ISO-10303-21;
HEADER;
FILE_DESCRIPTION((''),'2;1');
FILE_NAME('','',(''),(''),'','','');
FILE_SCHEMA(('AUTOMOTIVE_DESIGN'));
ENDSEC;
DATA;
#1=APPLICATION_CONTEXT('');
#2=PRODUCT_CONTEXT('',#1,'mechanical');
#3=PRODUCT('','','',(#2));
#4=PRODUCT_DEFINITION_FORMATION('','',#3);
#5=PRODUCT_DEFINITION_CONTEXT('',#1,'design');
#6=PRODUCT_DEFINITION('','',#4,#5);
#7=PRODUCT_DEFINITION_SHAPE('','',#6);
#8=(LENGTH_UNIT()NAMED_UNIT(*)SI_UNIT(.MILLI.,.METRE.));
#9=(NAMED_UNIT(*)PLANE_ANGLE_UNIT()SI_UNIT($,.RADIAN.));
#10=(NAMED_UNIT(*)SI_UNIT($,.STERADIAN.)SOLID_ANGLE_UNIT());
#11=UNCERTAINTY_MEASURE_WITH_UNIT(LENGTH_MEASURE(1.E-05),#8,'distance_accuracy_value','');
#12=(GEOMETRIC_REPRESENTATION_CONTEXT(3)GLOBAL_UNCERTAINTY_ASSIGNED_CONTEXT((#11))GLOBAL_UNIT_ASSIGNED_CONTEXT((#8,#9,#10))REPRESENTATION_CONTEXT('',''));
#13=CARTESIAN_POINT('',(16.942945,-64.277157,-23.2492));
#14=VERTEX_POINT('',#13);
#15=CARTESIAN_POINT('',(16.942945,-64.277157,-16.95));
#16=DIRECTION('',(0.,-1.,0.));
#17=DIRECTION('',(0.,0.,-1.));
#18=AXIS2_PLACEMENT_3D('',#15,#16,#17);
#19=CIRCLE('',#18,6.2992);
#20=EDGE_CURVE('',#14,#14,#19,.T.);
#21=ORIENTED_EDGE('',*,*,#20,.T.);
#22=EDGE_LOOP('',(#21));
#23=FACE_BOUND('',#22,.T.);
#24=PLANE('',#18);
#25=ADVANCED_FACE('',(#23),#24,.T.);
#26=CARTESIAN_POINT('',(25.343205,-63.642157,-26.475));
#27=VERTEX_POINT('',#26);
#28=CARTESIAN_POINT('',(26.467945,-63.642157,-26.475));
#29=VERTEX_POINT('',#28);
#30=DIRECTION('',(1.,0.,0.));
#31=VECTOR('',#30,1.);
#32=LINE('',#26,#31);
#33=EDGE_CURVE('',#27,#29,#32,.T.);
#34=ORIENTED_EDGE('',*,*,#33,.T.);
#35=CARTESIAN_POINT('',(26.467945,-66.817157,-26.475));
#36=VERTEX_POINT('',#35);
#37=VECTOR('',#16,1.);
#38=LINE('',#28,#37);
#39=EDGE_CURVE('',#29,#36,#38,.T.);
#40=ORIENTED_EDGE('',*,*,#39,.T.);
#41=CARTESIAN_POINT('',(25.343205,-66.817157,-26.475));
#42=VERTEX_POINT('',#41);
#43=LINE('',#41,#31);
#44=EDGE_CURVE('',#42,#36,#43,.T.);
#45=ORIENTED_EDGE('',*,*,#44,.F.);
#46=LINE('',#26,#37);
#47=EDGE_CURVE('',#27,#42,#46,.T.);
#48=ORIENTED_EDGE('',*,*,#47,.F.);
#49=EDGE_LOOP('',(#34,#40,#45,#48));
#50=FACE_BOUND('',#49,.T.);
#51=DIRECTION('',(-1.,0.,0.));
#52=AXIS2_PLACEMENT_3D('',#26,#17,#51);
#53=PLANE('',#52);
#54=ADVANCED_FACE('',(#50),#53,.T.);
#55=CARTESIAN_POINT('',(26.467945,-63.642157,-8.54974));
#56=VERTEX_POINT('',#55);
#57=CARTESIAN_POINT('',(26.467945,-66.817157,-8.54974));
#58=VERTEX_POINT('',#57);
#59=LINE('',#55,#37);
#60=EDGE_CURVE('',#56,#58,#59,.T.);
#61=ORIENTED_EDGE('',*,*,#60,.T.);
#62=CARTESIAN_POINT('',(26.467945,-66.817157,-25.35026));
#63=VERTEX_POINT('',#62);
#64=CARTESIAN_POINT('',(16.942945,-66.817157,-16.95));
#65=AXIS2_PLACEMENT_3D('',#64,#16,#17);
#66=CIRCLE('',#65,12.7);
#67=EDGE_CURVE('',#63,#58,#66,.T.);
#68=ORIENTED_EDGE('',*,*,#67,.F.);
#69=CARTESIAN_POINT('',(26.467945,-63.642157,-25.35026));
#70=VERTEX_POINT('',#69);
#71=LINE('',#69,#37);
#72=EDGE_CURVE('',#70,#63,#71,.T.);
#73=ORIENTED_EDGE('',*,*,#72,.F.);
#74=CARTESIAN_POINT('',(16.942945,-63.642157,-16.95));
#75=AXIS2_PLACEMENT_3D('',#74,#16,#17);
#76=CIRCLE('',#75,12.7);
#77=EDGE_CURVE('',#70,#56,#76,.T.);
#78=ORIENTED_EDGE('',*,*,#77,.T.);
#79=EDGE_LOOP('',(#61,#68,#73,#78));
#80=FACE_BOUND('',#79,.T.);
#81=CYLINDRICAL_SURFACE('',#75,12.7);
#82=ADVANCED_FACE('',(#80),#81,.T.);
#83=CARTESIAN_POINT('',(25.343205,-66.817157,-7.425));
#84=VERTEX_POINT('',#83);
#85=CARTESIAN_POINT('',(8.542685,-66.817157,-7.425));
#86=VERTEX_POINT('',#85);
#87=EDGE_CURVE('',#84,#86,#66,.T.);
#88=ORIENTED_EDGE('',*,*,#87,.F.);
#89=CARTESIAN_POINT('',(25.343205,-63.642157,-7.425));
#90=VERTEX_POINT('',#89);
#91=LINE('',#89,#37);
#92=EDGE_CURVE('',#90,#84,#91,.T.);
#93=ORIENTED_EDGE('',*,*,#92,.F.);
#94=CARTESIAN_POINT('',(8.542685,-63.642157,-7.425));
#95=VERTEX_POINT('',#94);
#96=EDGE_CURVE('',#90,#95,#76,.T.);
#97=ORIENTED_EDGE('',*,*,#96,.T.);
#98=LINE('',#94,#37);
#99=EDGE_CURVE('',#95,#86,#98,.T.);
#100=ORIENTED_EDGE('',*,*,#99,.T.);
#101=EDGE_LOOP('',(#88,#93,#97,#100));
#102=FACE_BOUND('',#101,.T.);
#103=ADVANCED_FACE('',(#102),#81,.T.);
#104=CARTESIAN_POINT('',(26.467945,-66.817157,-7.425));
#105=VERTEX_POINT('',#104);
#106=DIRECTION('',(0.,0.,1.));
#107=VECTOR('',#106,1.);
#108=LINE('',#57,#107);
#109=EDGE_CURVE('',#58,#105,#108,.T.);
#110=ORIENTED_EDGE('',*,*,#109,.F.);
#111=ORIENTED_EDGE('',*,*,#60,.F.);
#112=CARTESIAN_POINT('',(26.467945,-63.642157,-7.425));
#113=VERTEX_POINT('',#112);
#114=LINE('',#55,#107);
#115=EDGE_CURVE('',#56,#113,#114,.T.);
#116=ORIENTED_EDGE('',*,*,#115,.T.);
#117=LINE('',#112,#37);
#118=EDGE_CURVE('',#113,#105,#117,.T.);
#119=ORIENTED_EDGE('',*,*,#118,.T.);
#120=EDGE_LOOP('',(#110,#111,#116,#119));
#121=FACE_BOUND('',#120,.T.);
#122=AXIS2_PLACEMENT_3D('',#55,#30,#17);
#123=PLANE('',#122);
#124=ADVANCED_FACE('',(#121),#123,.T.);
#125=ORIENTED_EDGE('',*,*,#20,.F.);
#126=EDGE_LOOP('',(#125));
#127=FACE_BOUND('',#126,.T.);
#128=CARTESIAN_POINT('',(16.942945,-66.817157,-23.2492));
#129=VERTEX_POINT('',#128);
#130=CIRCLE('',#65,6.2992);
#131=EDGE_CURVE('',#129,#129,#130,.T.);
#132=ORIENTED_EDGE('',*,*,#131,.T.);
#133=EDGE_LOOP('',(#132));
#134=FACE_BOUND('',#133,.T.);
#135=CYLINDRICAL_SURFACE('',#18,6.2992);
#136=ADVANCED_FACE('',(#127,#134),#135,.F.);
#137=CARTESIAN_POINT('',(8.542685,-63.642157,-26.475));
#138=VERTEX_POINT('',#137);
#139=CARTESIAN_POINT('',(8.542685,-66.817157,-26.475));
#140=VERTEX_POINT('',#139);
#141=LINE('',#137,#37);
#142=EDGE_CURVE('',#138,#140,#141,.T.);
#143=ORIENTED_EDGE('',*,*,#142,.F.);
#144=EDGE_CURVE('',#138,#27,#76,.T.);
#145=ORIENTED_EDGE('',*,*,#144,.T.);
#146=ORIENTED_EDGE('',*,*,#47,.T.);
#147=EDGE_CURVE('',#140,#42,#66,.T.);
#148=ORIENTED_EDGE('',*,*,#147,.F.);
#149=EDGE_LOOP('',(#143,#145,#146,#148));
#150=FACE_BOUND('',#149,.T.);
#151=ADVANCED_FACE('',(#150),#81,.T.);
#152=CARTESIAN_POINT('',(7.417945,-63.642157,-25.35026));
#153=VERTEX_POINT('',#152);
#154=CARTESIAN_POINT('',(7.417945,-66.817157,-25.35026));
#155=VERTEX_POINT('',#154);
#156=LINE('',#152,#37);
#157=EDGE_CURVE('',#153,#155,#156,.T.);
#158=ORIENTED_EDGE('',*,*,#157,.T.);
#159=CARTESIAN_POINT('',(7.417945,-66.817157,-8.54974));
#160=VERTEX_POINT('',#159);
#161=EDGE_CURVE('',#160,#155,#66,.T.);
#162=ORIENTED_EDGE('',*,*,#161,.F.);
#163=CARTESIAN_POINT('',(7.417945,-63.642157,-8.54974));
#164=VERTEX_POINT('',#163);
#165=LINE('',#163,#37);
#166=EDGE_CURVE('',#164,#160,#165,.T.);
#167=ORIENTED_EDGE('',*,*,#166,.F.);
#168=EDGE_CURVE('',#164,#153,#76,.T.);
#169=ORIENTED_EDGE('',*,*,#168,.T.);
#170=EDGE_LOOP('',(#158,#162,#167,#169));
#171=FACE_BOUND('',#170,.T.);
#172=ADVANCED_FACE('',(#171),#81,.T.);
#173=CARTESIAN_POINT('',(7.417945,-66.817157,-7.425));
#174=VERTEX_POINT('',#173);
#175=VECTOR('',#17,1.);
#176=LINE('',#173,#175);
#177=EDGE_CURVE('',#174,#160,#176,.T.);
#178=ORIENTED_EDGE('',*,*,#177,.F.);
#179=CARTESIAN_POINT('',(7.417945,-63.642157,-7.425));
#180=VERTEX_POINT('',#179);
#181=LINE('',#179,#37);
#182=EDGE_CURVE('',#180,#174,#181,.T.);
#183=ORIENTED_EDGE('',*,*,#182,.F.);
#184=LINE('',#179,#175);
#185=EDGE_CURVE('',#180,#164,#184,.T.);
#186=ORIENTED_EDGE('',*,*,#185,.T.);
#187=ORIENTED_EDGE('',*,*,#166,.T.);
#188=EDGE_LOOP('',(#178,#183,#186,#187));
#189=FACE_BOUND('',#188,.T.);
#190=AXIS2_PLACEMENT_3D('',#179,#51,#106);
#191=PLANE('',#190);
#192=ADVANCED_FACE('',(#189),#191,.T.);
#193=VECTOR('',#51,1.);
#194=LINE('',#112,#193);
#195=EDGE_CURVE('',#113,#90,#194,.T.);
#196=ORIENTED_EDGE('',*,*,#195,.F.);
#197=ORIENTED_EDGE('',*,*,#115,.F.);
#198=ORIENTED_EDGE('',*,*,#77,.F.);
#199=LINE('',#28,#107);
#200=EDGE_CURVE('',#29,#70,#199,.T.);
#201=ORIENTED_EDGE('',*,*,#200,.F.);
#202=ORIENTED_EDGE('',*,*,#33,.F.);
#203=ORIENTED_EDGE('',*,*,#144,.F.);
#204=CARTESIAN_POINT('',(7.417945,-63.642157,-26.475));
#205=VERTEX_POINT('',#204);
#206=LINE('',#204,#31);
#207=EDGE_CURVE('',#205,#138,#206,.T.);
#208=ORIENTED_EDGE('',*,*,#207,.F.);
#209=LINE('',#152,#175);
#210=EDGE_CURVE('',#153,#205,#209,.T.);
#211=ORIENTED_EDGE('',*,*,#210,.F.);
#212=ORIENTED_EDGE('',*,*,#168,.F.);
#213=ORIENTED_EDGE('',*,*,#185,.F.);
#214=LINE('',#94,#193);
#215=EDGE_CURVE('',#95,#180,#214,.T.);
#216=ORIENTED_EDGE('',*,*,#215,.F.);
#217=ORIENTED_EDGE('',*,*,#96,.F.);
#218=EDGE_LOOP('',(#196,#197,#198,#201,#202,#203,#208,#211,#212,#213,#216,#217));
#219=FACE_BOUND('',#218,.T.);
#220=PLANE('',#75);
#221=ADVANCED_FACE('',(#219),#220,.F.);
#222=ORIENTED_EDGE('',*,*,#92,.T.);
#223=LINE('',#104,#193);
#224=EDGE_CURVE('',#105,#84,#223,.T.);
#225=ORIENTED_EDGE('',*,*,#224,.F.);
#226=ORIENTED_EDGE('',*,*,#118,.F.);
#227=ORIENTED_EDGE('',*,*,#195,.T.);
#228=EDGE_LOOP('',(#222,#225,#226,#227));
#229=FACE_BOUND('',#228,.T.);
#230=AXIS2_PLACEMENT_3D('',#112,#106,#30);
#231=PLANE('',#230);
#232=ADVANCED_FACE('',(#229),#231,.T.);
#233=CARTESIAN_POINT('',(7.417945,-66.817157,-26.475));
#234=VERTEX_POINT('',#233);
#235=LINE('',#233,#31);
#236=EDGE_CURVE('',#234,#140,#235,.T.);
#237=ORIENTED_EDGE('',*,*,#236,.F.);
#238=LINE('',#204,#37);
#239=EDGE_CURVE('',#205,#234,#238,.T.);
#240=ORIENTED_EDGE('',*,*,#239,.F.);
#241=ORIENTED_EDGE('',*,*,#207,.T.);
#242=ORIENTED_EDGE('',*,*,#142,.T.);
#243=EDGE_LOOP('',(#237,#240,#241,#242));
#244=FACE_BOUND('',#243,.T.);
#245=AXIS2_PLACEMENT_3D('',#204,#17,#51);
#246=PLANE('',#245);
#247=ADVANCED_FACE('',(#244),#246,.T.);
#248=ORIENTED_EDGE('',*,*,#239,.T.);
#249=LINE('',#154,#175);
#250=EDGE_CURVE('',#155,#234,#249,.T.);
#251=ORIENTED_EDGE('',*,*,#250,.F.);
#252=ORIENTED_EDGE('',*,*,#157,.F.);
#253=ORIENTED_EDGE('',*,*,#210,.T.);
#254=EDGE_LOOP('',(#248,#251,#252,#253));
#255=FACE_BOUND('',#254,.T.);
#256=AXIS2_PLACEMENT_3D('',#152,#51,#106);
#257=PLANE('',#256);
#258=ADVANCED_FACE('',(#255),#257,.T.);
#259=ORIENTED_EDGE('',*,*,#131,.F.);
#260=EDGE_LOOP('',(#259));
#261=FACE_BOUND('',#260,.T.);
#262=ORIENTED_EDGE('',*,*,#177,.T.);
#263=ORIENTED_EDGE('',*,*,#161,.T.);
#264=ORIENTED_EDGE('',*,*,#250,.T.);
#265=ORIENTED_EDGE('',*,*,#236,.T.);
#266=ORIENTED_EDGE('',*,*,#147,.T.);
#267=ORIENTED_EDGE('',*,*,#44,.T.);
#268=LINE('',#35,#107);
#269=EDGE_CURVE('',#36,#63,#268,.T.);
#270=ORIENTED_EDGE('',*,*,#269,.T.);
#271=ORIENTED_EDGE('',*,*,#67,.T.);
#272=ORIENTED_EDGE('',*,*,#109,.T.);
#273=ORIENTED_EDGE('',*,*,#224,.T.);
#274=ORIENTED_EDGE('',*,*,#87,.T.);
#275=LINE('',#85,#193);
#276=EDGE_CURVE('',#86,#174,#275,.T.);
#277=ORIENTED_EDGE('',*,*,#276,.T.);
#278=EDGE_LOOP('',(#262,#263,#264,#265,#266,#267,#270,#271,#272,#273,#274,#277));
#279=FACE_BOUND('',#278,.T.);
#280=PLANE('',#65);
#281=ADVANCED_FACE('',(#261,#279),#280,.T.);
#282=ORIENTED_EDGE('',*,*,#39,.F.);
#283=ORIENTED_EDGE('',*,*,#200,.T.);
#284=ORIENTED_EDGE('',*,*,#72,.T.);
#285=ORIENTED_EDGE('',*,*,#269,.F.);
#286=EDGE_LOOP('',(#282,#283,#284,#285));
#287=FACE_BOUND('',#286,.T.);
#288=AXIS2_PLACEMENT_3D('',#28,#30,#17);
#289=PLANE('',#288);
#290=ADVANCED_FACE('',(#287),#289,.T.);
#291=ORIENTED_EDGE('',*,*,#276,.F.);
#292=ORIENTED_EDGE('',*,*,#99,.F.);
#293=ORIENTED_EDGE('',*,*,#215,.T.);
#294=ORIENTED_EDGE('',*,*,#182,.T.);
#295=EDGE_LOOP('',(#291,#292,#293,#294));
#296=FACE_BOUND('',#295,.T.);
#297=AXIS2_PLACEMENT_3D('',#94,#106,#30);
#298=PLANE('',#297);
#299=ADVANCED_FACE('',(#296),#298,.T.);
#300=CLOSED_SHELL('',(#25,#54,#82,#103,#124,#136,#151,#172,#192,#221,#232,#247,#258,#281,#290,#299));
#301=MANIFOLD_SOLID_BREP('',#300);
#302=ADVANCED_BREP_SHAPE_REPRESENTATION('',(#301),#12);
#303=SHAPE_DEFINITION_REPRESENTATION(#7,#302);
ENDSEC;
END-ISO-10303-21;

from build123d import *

# Parameters (mm, degrees)
BOSS_EXTRUDE1_DEPTH = 3.175
SKETCH2_R           = 6.2992
CUT_EXTRUDE1_DEPTH  = 2.54


with BuildPart() as part:
    # Sketch1 → Boss-Extrude1 (new body)
    with BuildSketch(Plane.XZ.offset(66.817157288)):
        with BuildLine():
            Line((26.467944946, -26.475), (26.467944946, -25.350260413))
            ThreePointArc((26.467944946, -25.350260413), (29.642944946, -16.95), (26.467944946, -8.549739587))
            Line((26.467944946, -8.549739587), (26.467944946, -7.425))
            Line((26.467944946, -7.425), (25.343205359, -7.425))
            ThreePointArc((25.343205359, -7.425), (16.942944946, -4.25), (8.542684533, -7.425))
            Line((8.542684533, -7.425), (7.417944946, -7.425))
            Line((7.417944946, -7.425), (7.417944946, -8.549739587))
            ThreePointArc((7.417944946, -8.549739587), (4.242944946, -16.95), (7.417944946, -25.350260413))
            Line((7.417944946, -25.350260413), (7.417944946, -26.475))
            Line((7.417944946, -26.475), (8.542684533, -26.475))
            ThreePointArc((8.542684533, -26.475), (16.942944946, -29.65), (25.343205359, -26.475))
            Line((25.343205359, -26.475), (26.467944946, -26.475))
        make_face()
    extrude(amount=-BOSS_EXTRUDE1_DEPTH)

    # Sketch2 → Cut-Extrude1 (cut)
    with BuildSketch(Plane.XZ.offset(66.817157288)):
        with Locations(Location((16.942944946, -16.95, 0), (0, 0, 270))):
            Circle(SKETCH2_R)
    extrude(amount=-CUT_EXTRUDE1_DEPTH, mode=Mode.SUBTRACT)


solid = part.part
